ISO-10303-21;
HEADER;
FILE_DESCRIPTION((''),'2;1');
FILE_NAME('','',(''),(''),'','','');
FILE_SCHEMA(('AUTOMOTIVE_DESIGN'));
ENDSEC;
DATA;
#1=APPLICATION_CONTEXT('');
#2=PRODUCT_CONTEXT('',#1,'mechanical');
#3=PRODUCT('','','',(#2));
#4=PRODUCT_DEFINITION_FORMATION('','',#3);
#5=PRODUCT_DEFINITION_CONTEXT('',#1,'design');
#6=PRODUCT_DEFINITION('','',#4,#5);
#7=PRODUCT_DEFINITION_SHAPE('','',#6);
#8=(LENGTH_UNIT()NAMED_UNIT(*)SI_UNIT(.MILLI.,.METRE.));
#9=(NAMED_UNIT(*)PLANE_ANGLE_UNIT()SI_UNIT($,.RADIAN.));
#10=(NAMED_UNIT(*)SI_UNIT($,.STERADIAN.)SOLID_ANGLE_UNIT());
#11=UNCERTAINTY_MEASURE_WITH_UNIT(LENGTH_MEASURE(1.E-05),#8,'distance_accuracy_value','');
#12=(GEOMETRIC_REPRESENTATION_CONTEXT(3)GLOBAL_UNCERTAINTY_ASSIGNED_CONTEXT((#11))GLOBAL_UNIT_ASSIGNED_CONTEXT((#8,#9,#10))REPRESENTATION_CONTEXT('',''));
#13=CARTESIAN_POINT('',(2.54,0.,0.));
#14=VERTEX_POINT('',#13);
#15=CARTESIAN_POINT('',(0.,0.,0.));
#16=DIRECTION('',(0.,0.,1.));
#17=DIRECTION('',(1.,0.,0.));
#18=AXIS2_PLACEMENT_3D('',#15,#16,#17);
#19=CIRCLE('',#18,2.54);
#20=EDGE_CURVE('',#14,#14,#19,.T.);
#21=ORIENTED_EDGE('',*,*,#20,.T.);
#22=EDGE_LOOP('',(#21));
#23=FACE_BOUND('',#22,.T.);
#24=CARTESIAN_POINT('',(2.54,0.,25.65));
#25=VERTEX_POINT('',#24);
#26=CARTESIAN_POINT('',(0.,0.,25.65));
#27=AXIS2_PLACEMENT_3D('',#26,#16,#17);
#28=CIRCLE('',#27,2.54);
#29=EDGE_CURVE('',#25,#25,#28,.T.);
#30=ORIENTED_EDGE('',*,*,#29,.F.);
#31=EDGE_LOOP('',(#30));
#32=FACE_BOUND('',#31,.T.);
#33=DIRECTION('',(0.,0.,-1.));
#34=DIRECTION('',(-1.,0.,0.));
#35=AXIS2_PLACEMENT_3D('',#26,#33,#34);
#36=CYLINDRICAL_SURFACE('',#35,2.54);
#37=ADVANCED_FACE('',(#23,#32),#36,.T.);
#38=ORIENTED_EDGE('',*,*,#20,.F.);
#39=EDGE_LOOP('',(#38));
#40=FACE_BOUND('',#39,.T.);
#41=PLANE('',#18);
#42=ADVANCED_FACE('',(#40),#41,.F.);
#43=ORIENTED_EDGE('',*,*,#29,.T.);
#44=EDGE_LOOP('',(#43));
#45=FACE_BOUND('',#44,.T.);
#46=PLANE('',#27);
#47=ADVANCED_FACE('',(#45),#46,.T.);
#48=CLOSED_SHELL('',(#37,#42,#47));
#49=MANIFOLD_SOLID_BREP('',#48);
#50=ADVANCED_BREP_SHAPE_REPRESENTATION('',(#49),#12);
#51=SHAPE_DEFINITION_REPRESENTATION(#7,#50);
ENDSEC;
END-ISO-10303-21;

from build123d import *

# Parameters (mm, degrees)
SKETCH1_R           = 2.54
BOSS_EXTRUDE1_DEPTH = 25.65


with BuildPart() as part:
    # Sketch1 → Boss-Extrude1 (new body)
    with BuildSketch(Plane.XY):
        Circle(SKETCH1_R)
    extrude(amount=BOSS_EXTRUDE1_DEPTH)


solid = part.part
